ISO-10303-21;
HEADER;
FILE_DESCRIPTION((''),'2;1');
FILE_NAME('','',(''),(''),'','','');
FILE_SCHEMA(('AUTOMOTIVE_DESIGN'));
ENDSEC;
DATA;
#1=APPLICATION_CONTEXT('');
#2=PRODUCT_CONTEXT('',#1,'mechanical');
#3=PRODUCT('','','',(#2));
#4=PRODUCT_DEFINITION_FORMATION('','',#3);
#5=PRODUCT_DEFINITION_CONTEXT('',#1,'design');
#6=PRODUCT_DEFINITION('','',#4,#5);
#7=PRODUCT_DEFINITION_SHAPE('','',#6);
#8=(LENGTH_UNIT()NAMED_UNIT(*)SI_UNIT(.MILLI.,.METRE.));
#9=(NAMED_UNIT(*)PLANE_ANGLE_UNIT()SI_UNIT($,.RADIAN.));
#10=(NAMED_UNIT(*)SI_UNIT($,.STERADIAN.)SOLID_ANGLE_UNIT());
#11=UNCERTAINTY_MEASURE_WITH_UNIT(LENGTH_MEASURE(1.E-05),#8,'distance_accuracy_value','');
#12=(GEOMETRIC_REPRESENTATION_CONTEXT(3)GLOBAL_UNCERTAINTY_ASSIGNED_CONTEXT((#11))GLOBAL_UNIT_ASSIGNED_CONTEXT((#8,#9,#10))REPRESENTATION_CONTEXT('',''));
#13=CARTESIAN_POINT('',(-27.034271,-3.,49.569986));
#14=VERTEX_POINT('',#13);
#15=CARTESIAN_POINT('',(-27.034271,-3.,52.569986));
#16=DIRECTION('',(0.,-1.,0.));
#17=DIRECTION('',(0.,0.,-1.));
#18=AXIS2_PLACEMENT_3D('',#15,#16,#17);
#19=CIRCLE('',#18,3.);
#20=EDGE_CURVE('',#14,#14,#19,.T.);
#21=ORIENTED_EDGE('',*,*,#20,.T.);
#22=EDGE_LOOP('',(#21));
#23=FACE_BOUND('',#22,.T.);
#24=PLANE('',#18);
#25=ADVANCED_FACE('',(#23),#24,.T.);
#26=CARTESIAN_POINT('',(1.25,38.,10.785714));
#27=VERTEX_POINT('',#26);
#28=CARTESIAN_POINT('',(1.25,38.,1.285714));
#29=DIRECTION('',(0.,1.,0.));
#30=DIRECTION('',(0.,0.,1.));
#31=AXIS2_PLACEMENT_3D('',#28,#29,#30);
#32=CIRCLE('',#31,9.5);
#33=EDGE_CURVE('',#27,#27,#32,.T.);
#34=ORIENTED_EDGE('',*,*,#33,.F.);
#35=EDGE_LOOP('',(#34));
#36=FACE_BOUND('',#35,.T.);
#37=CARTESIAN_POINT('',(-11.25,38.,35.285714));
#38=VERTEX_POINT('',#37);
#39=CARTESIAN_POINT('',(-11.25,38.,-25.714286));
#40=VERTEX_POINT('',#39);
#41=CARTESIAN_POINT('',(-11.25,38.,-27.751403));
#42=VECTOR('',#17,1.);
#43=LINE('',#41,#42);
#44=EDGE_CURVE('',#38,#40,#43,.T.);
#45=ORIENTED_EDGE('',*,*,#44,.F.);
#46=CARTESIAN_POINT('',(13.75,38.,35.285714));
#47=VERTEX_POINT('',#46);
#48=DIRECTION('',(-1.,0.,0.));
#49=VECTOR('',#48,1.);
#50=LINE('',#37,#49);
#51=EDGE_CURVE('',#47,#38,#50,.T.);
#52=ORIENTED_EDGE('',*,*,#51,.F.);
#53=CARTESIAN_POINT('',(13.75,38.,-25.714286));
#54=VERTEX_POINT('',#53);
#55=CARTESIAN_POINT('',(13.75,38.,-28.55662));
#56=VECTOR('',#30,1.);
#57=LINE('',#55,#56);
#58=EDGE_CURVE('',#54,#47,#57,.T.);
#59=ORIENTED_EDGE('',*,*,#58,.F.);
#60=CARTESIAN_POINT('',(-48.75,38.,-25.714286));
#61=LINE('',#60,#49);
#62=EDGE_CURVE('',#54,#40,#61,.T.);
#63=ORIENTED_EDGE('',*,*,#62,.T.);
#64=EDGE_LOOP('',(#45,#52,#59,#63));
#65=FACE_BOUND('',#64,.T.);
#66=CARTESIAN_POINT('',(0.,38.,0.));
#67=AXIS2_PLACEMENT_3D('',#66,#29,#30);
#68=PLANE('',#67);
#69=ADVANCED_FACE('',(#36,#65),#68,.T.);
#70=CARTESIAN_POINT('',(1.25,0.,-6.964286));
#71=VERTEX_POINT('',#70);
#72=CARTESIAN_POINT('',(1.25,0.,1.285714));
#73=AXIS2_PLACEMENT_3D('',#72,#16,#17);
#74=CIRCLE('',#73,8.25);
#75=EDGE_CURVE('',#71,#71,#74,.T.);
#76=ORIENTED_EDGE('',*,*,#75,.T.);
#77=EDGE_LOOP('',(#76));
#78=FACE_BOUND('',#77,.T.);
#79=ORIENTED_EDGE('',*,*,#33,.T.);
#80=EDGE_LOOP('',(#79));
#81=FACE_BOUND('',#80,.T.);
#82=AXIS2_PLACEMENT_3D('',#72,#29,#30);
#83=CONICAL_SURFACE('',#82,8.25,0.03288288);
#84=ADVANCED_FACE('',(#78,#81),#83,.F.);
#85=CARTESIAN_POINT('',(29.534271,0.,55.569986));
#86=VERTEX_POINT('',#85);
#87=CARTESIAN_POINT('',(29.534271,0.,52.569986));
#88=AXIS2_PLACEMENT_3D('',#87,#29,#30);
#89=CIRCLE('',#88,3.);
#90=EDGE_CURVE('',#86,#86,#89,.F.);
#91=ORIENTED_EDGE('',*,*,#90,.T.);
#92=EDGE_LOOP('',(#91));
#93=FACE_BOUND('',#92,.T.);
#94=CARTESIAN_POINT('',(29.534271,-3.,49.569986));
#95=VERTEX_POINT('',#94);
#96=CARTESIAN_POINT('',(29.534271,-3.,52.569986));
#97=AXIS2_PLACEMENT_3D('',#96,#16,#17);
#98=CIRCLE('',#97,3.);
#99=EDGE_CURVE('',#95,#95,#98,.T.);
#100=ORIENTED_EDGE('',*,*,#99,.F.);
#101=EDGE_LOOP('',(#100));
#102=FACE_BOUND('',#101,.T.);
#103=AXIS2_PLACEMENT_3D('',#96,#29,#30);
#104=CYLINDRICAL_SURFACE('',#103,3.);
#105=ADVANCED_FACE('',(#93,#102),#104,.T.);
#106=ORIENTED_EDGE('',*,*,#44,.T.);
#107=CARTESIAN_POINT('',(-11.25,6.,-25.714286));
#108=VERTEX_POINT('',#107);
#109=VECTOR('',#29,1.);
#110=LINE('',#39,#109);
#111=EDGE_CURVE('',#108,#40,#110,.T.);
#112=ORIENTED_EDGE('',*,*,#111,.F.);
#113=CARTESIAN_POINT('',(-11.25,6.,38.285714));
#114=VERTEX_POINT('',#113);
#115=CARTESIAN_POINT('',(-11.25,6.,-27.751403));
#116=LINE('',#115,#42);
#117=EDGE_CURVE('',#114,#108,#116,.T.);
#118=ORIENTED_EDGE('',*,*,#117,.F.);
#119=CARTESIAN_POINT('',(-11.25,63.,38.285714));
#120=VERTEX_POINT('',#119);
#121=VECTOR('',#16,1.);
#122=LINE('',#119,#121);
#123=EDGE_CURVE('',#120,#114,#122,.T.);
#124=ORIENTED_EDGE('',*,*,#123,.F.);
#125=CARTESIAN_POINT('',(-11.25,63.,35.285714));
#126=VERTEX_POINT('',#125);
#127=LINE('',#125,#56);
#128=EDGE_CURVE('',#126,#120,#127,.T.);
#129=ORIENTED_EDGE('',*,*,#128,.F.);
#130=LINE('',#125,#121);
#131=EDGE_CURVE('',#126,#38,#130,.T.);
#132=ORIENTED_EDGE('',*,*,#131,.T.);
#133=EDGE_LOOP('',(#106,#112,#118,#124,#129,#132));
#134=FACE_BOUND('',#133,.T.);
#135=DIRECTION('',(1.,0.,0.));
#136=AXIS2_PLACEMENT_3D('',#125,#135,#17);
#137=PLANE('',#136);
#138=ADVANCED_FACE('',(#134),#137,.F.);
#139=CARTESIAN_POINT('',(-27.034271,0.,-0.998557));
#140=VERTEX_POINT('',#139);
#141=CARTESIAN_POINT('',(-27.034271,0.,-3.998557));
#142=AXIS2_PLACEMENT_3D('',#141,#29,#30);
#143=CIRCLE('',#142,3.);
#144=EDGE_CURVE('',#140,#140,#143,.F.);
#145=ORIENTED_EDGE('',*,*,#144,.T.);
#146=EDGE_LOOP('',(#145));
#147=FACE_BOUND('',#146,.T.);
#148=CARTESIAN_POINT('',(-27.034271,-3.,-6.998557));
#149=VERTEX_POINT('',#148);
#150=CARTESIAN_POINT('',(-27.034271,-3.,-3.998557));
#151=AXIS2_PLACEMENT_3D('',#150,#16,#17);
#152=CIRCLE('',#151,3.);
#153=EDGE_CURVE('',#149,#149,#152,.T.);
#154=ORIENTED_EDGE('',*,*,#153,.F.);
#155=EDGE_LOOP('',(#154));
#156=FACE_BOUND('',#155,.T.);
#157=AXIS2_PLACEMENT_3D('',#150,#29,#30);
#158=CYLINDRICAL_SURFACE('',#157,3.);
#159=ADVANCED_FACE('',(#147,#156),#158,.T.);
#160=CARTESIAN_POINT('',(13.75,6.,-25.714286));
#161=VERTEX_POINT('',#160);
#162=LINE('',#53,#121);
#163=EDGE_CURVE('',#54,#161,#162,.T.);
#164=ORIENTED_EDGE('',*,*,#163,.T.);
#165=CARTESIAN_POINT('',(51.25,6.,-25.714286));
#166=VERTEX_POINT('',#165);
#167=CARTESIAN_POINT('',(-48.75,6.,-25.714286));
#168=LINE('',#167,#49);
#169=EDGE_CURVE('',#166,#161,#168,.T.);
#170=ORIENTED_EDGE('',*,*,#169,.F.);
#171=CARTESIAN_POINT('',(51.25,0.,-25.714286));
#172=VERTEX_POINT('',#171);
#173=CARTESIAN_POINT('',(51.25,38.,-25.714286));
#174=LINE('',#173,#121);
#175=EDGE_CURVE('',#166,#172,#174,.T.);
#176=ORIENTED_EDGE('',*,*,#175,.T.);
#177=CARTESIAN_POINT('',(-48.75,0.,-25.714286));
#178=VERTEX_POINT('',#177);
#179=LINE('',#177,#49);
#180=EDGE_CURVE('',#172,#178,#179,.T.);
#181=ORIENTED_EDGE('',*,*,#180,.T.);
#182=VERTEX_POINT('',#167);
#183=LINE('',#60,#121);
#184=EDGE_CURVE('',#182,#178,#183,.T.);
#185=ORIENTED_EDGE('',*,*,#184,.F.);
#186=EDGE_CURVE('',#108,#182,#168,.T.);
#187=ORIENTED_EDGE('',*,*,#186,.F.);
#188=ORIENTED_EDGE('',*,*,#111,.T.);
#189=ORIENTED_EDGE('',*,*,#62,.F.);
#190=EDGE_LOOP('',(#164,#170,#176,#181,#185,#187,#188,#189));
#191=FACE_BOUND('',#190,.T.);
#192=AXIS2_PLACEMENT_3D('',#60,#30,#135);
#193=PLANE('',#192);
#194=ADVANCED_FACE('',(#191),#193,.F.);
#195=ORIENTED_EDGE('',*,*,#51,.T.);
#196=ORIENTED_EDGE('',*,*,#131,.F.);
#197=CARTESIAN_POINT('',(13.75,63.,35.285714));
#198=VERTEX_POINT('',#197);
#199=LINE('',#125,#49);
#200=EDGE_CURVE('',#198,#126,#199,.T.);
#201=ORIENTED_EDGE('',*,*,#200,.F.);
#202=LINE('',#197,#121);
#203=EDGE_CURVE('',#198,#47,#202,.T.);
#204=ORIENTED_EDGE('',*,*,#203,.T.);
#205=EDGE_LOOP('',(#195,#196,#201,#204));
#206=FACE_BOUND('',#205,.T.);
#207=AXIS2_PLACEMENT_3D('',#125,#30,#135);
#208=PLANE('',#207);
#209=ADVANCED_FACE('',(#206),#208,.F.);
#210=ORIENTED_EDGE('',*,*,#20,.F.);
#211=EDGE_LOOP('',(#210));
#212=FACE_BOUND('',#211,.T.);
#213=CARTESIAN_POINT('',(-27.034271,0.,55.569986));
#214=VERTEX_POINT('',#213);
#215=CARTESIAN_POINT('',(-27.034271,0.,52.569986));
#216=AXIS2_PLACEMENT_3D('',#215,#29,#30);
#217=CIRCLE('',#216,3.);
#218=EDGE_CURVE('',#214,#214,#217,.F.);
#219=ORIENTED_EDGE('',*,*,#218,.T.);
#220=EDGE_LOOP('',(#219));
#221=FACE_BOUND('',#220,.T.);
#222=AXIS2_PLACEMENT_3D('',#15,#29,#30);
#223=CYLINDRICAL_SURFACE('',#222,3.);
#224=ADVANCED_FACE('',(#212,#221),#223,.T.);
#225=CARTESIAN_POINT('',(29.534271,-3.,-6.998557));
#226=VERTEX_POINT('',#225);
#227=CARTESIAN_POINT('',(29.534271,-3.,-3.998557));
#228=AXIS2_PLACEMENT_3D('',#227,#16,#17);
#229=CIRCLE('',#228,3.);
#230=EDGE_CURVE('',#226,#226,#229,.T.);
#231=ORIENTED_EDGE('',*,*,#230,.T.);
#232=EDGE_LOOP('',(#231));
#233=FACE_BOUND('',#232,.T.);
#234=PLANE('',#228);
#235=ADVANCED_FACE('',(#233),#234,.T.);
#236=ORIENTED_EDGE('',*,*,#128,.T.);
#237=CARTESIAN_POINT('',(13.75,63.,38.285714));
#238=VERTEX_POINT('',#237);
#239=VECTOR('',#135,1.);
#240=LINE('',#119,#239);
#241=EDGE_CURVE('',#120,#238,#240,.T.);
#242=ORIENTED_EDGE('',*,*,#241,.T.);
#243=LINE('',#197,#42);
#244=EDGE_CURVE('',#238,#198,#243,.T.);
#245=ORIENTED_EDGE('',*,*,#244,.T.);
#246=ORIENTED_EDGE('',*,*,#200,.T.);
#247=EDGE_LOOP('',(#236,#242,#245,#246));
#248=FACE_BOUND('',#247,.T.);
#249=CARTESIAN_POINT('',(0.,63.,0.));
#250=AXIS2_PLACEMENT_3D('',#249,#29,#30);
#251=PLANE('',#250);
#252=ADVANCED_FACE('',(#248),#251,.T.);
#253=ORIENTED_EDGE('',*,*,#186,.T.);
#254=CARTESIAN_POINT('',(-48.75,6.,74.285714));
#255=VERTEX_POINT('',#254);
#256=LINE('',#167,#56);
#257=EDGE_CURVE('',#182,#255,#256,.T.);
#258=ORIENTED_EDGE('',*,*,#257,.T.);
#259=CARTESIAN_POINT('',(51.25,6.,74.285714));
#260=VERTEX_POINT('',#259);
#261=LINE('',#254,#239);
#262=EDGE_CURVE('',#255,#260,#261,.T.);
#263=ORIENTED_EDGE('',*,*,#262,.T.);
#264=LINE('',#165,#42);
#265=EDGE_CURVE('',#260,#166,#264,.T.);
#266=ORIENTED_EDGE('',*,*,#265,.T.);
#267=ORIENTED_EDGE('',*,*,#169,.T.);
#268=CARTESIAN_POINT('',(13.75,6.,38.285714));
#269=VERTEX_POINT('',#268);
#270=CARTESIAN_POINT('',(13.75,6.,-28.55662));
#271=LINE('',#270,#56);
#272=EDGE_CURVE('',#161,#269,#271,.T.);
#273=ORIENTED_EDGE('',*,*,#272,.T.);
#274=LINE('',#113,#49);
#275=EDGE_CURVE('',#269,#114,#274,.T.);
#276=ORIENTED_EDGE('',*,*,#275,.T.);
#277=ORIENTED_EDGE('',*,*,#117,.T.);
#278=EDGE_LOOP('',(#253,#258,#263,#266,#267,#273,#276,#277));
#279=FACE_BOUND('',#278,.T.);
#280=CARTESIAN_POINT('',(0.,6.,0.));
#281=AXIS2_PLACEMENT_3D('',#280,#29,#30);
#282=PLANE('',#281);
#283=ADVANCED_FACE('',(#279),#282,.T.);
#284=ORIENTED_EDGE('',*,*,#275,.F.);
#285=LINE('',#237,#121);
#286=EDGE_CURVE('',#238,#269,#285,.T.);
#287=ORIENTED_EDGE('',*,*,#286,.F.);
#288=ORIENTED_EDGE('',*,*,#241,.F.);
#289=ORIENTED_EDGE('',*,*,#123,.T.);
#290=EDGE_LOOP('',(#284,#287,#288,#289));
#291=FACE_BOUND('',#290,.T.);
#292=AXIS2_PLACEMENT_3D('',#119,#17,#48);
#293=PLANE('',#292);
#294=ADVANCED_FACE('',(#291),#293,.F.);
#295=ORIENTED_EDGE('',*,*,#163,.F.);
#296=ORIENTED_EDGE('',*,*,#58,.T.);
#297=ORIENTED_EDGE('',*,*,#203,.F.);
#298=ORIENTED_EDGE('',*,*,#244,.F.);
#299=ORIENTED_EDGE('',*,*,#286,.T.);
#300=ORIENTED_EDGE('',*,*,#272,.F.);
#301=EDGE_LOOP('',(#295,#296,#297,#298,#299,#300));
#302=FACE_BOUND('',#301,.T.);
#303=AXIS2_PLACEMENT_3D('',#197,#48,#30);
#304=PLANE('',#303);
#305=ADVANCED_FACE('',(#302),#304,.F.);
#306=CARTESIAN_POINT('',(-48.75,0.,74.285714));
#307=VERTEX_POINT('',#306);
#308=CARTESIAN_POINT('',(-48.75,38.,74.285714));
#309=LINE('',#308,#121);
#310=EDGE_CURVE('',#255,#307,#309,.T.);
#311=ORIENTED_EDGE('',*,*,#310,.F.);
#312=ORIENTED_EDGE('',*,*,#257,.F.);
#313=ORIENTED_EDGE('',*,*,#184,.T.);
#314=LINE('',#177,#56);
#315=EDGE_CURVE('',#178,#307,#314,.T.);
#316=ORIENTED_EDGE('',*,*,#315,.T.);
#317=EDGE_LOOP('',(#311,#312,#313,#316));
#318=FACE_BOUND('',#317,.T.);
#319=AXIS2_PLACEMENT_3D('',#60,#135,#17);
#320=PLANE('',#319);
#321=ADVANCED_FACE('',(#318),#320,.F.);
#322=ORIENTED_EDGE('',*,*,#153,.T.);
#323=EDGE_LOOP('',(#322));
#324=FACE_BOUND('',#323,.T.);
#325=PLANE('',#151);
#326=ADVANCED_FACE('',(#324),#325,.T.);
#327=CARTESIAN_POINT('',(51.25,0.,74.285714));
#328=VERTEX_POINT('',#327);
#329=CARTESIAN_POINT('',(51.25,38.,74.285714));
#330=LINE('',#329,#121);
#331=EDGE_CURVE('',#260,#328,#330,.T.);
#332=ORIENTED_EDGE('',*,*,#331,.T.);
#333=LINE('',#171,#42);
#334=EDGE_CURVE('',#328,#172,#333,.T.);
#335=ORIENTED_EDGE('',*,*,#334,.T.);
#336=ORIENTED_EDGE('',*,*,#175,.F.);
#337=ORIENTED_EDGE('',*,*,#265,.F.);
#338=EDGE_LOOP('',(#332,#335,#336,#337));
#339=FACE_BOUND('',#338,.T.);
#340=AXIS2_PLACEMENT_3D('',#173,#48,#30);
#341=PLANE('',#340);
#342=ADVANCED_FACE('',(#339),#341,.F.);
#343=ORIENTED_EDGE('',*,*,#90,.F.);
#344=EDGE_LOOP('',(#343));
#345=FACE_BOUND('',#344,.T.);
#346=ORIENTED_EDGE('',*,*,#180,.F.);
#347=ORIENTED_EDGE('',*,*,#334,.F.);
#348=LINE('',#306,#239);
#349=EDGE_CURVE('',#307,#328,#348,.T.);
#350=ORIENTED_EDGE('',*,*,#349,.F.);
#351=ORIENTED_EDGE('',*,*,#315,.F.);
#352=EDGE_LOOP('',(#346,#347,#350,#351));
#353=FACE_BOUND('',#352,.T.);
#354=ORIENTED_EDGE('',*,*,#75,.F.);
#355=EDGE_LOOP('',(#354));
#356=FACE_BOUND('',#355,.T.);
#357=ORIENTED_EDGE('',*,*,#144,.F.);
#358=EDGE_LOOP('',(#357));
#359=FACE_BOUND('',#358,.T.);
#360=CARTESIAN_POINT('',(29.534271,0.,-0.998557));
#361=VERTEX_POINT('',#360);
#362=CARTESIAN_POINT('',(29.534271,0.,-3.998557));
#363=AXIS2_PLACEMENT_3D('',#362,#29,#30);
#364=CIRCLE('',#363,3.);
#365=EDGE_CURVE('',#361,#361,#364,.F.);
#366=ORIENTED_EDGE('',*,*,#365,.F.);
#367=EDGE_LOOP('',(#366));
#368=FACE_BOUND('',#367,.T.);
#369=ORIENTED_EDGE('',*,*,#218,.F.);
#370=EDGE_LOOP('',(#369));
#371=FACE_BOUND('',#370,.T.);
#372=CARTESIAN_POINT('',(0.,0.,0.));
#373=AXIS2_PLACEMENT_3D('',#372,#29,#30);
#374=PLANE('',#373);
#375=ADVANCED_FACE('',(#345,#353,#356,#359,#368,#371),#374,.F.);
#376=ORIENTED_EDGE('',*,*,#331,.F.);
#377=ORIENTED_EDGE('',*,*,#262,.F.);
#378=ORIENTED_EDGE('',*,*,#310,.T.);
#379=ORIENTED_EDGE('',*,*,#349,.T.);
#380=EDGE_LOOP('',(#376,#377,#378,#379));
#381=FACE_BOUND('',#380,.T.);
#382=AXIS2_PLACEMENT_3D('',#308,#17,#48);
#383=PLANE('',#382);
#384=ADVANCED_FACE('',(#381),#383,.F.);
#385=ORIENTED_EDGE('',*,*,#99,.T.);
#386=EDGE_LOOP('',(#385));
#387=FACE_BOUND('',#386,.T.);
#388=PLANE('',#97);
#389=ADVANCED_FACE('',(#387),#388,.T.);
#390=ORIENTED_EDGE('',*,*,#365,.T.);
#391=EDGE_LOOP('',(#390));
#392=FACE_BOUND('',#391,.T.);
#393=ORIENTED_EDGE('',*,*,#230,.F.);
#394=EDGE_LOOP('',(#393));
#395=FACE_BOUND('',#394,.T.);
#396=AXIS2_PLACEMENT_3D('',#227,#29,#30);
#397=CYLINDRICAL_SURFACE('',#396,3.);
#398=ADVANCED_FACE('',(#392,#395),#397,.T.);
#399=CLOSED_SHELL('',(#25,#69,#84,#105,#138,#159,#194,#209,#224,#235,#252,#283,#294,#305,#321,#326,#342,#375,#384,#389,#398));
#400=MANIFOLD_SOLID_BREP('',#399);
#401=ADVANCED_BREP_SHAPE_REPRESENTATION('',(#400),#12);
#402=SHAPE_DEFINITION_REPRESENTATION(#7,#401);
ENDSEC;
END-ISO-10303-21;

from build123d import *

# Parameters (mm, degrees)
SKETCH1_W           = 100
SKETCH1_H           = 100
BOSS_EXTRUDE1_DEPTH = 38
SKETCH3_R           = 3
BOSS_EXTRUDE2_DEPTH = 3
SKETCH4_R           = 8.25
SKETCH5_R           = 9.5
SKETCH6_W           = 25
SKETCH6_H           = 3
BOSS_EXTRUDE3_DEPTH = 25
CUT_EXTRUDE3_DEPTH  = 32


with BuildPart() as part:
    # Sketch1 → Boss-Extrude1 (new body)
    with BuildSketch(Plane(origin=(0, 0, 0), x_dir=(1, 0, 0), z_dir=(0, 1, 0))):
        with Locations((1.25, -24.285714286)):
            Rectangle(SKETCH1_W, SKETCH1_H)
    extrude(amount=BOSS_EXTRUDE1_DEPTH)

    # Sketch3 → Boss-Extrude2 (add)
    with BuildSketch(Plane.XZ):
        with Locations(Location((-27.034271247, 52.569985533, 0), (0, 0, 90))):
            Circle(SKETCH3_R)
        with Locations(Location((29.534271247, 52.569985533, 0), (0, 0, 90))):
            Circle(SKETCH3_R)
        with Locations(Location((29.534271247, -3.998556962, 0), (0, 0, 90))):
            Circle(SKETCH3_R)
        with Locations(Location((-27.034271247, -3.998556962, 0), (0, 0, 90))):
            Circle(SKETCH3_R)
    extrude(amount=BOSS_EXTRUDE2_DEPTH)

    # Sketch4 → Cut-Loft1 section 0
    with BuildSketch(Plane.XZ):
        with Locations((1.25, 1.285714286)):
            Circle(SKETCH4_R)
    # Sketch5 → Cut-Loft1 section 1
    with BuildSketch(Plane(origin=(0, 38, 0), x_dir=(1, 0, 0), z_dir=(0, 1, 0))):
        with Locations((1.25, -1.285714286)):
            Circle(SKETCH5_R)
    loft(mode=Mode.SUBTRACT)

    # Sketch6 → Boss-Extrude3 (add)
    with BuildSketch(Plane(origin=(0, 38, 0), x_dir=(1, 0, 0), z_dir=(0, 1, 0))):
        with Locations((1.25, -36.785714286)):
            Rectangle(SKETCH6_W, SKETCH6_H)
    extrude(amount=BOSS_EXTRUDE3_DEPTH)

    # Sketch9 → Cut-Extrude3 (cut)
    with BuildSketch(Plane(origin=(0, 38, 0), x_dir=(1, 0, 0), z_dir=(0, 1, 0))):
        Polygon((-49.799740752, 27.751403127), (-11.25, 27.751403127), (-11.25, -38.285714286), (13.75, -38.285714286), (13.75, 28.556619644), (53.406913463, 28.556619644), (53.406913463, -79.342393637), (26.184866917, -79.342393637), (26.184866917, -84.038284162), (-21.600270932, -84.038284162), (-21.600270932, -78.738481249), (-49.799740752, -78.738481249), align=None)
    extrude(amount=-CUT_EXTRUDE3_DEPTH, mode=Mode.SUBTRACT)


solid = part.part
